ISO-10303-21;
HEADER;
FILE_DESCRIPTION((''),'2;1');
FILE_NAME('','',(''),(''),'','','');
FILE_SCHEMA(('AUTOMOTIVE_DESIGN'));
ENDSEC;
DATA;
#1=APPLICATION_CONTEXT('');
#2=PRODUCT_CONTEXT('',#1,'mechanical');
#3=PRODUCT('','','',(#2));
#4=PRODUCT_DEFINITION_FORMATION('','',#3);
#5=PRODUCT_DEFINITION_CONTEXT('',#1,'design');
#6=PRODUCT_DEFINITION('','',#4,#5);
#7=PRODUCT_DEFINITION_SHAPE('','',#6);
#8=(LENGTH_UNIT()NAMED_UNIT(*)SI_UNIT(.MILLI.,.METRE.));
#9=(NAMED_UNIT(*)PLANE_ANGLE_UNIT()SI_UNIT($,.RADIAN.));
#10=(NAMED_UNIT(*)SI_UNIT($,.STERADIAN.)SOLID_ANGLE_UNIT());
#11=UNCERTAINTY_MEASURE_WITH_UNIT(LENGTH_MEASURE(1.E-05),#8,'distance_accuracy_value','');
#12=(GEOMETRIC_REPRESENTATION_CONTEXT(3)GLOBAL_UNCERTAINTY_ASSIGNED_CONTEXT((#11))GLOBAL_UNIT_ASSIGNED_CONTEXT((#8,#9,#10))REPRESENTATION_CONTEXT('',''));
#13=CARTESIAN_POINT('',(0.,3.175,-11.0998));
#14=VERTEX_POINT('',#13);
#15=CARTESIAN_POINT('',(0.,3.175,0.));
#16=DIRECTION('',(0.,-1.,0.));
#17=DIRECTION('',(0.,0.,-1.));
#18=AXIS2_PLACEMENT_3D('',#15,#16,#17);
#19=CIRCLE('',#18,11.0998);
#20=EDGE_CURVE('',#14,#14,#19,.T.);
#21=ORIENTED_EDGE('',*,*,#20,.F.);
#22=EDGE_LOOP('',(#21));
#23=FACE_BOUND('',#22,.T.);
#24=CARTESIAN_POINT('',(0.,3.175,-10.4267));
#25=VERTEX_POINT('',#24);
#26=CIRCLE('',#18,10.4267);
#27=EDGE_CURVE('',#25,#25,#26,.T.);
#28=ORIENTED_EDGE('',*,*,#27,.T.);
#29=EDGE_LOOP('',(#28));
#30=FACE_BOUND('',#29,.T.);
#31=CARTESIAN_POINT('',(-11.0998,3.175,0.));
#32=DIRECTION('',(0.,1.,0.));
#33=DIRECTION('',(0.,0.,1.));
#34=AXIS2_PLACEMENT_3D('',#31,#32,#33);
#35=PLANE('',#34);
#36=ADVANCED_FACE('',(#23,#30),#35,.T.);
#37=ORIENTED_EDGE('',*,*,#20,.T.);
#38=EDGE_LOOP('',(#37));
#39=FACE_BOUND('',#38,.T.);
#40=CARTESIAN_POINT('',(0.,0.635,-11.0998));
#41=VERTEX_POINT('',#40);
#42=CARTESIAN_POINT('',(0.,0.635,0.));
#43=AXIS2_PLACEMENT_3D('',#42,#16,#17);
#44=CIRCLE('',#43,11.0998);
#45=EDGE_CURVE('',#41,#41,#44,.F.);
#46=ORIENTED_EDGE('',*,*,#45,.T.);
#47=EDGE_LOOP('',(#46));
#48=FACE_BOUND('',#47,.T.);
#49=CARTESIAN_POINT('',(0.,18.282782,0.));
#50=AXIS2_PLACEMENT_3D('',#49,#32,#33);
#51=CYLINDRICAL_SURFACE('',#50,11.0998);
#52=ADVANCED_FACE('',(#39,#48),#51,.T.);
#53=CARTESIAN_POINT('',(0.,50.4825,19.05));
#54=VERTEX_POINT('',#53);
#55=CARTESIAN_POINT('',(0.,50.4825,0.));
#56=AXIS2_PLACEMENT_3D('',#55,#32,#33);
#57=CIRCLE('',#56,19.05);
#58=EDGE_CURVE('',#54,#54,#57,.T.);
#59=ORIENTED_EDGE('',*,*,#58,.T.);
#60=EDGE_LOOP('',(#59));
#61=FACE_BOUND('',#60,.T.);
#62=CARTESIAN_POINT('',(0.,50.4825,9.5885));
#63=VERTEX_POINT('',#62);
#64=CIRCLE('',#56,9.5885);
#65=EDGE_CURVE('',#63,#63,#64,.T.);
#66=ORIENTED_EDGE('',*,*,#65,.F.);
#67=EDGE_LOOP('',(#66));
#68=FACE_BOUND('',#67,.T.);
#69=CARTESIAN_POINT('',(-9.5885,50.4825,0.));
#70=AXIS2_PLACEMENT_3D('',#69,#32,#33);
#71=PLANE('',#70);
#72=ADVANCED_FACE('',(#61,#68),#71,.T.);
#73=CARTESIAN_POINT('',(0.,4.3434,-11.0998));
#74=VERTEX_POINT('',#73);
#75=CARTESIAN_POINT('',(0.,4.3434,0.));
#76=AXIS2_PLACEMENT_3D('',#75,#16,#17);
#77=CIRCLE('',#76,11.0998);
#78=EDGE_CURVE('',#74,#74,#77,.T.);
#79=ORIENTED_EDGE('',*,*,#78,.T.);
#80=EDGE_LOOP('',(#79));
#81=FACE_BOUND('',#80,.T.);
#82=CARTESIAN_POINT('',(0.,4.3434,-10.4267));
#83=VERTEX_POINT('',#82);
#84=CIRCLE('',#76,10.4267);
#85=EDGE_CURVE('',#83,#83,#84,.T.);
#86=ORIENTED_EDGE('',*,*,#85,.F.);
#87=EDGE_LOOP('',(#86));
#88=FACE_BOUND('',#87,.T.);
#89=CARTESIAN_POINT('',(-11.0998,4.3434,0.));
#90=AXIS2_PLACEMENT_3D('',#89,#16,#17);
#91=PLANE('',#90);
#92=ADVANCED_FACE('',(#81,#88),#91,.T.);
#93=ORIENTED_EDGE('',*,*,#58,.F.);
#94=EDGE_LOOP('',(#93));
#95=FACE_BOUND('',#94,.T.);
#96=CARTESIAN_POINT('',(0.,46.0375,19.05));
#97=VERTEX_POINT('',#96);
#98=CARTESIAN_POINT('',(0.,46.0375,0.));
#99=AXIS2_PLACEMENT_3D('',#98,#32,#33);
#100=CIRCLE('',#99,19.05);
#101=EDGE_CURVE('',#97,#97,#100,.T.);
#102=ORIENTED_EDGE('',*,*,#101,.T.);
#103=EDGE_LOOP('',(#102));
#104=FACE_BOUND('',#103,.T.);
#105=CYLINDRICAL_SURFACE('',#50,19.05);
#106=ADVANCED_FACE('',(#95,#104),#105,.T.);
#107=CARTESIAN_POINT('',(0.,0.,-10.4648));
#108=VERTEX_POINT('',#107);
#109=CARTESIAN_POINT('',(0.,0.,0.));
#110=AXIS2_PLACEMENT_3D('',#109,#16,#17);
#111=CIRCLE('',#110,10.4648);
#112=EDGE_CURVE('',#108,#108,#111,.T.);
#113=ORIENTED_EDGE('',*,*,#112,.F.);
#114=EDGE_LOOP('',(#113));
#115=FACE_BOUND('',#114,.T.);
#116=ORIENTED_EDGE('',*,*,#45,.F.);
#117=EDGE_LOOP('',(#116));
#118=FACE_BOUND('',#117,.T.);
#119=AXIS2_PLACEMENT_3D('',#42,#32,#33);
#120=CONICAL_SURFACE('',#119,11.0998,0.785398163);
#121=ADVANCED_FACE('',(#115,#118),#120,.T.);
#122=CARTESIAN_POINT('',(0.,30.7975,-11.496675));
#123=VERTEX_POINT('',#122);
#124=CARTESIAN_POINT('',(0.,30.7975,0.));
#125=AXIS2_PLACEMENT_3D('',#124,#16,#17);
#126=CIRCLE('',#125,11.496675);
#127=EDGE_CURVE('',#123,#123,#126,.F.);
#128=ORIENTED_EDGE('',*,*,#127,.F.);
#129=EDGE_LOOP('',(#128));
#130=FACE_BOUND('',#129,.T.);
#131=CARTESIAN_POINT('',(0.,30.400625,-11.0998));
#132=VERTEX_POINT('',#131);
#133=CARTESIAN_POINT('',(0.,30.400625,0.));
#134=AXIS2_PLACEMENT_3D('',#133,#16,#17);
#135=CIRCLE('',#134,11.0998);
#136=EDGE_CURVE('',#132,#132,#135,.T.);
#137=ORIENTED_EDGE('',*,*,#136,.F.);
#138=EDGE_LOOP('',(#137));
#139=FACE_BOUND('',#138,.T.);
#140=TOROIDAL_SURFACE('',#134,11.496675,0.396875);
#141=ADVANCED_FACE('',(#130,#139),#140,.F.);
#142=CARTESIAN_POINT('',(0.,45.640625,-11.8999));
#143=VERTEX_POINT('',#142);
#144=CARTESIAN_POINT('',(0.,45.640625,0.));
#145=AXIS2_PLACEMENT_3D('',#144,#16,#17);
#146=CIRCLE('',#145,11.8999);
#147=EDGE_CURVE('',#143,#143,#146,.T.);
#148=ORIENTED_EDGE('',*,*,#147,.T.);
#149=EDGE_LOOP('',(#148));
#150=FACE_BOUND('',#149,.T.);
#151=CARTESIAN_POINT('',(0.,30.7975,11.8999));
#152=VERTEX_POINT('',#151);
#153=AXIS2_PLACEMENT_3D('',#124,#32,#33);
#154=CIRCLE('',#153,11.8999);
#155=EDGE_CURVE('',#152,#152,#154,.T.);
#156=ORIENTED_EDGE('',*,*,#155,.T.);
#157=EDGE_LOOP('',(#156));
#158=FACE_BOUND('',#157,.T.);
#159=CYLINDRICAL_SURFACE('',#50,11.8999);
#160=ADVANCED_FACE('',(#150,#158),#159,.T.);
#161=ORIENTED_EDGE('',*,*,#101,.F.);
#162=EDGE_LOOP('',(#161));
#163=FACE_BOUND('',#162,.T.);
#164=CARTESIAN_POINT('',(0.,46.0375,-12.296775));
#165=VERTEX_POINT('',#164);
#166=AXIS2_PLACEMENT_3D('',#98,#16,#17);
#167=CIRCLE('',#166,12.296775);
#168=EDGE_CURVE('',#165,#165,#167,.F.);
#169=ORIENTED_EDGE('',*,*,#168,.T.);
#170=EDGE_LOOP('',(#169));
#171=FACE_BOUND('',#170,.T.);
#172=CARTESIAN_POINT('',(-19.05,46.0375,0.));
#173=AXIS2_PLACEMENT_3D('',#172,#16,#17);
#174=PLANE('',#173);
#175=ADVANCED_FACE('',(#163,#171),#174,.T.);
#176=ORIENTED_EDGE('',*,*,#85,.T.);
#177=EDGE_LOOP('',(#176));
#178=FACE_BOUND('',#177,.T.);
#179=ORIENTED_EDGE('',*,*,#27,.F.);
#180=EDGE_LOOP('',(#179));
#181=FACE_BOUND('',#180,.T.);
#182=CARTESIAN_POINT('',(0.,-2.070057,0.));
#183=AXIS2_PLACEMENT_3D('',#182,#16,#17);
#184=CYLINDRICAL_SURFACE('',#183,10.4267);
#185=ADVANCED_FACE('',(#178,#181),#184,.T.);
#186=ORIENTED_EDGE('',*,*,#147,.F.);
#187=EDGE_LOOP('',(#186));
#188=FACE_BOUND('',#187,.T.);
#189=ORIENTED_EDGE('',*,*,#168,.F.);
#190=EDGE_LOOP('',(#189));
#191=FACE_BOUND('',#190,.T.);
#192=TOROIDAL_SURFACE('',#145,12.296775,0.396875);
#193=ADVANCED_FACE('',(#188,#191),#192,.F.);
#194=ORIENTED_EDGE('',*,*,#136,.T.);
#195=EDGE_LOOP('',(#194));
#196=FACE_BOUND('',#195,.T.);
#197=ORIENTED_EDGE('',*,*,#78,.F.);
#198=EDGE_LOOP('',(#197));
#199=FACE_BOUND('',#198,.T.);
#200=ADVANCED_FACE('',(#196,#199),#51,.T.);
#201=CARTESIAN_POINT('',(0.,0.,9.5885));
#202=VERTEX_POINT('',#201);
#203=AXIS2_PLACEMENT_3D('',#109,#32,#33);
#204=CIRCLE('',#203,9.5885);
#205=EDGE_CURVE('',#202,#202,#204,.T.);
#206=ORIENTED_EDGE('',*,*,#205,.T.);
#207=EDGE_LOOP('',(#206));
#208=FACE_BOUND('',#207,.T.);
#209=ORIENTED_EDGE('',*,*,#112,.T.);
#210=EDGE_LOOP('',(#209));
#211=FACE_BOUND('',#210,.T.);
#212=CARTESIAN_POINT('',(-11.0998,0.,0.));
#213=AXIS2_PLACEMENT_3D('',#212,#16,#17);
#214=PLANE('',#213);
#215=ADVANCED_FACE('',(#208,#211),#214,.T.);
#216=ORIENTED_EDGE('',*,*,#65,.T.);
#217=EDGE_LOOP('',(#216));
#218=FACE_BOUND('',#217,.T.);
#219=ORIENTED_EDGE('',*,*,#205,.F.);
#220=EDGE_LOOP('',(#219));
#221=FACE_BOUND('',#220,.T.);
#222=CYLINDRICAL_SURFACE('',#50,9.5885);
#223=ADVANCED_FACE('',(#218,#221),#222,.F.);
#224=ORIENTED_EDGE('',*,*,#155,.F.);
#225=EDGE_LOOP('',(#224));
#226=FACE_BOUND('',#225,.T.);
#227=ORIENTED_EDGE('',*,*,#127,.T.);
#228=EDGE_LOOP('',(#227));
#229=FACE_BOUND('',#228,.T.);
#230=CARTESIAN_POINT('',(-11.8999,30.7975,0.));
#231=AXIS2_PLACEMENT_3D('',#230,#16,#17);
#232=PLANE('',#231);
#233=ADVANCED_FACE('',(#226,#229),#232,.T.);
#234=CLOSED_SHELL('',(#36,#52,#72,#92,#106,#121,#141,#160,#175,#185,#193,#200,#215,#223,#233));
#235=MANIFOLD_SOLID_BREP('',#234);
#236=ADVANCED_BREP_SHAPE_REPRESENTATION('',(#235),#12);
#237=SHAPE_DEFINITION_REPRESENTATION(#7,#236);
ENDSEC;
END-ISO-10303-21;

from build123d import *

# Parameters (mm, degrees)
CHAMFER1_SIZE = 0.635
SKETCH3_W     = 0.6731
SKETCH3_H     = 1.1684
FILLET1_R     = 0.396875


with BuildPart() as part:
    # Sketch1 → Revolve1 (revolve)
    with BuildSketch(Plane.XY, mode=Mode.PRIVATE) as revolve1_sk:
        Polygon((-19.05, 50.4825), (-19.05, 46.0375), (-11.8999, 46.0375), (-11.8999, 30.7975), (-11.0998, 30.7975), (-11.0998, 0), (-9.5885, 0), (-9.5885, 50.4825), align=None)
    revolve(revolve1_sk.sketch.rotate(Axis((0, 18.282782329, 0), (0, -1, 0)), 270), axis=Axis((0, 18.282782329, 0), (0, -1, 0)))  # turned: the seam where the file's is

    # Chamfer1
    chamfer1_edges = [part.edges().sort_by_distance(p)[0] for p in [
        (0, 0, -11.0998),
    ]]
    chamfer(chamfer1_edges, length=CHAMFER1_SIZE)

    # Sketch3 → Cut-Revolve1 (revolve, cut)
    with BuildSketch(Plane.XY, mode=Mode.PRIVATE) as cut_revolve1_sk:
        with Locations((-10.76325, 3.7592)):
            Rectangle(SKETCH3_W, SKETCH3_H)
    revolve(cut_revolve1_sk.sketch.rotate(Axis((0, -2.070057214, 0), (0, 1, 0)), 90), axis=Axis((0, -2.070057214, 0), (0, 1, 0)), mode=Mode.SUBTRACT)  # turned: the seam where the file's is

    # Fillet1
    fillet1_edges = [part.edges().sort_by_distance(p)[0] for p in [
        (0, 46.0375, -11.8999),
        (0, 30.7975, -11.0998),
    ]]
    fillet(fillet1_edges, radius=FILLET1_R)


solid = part.part
